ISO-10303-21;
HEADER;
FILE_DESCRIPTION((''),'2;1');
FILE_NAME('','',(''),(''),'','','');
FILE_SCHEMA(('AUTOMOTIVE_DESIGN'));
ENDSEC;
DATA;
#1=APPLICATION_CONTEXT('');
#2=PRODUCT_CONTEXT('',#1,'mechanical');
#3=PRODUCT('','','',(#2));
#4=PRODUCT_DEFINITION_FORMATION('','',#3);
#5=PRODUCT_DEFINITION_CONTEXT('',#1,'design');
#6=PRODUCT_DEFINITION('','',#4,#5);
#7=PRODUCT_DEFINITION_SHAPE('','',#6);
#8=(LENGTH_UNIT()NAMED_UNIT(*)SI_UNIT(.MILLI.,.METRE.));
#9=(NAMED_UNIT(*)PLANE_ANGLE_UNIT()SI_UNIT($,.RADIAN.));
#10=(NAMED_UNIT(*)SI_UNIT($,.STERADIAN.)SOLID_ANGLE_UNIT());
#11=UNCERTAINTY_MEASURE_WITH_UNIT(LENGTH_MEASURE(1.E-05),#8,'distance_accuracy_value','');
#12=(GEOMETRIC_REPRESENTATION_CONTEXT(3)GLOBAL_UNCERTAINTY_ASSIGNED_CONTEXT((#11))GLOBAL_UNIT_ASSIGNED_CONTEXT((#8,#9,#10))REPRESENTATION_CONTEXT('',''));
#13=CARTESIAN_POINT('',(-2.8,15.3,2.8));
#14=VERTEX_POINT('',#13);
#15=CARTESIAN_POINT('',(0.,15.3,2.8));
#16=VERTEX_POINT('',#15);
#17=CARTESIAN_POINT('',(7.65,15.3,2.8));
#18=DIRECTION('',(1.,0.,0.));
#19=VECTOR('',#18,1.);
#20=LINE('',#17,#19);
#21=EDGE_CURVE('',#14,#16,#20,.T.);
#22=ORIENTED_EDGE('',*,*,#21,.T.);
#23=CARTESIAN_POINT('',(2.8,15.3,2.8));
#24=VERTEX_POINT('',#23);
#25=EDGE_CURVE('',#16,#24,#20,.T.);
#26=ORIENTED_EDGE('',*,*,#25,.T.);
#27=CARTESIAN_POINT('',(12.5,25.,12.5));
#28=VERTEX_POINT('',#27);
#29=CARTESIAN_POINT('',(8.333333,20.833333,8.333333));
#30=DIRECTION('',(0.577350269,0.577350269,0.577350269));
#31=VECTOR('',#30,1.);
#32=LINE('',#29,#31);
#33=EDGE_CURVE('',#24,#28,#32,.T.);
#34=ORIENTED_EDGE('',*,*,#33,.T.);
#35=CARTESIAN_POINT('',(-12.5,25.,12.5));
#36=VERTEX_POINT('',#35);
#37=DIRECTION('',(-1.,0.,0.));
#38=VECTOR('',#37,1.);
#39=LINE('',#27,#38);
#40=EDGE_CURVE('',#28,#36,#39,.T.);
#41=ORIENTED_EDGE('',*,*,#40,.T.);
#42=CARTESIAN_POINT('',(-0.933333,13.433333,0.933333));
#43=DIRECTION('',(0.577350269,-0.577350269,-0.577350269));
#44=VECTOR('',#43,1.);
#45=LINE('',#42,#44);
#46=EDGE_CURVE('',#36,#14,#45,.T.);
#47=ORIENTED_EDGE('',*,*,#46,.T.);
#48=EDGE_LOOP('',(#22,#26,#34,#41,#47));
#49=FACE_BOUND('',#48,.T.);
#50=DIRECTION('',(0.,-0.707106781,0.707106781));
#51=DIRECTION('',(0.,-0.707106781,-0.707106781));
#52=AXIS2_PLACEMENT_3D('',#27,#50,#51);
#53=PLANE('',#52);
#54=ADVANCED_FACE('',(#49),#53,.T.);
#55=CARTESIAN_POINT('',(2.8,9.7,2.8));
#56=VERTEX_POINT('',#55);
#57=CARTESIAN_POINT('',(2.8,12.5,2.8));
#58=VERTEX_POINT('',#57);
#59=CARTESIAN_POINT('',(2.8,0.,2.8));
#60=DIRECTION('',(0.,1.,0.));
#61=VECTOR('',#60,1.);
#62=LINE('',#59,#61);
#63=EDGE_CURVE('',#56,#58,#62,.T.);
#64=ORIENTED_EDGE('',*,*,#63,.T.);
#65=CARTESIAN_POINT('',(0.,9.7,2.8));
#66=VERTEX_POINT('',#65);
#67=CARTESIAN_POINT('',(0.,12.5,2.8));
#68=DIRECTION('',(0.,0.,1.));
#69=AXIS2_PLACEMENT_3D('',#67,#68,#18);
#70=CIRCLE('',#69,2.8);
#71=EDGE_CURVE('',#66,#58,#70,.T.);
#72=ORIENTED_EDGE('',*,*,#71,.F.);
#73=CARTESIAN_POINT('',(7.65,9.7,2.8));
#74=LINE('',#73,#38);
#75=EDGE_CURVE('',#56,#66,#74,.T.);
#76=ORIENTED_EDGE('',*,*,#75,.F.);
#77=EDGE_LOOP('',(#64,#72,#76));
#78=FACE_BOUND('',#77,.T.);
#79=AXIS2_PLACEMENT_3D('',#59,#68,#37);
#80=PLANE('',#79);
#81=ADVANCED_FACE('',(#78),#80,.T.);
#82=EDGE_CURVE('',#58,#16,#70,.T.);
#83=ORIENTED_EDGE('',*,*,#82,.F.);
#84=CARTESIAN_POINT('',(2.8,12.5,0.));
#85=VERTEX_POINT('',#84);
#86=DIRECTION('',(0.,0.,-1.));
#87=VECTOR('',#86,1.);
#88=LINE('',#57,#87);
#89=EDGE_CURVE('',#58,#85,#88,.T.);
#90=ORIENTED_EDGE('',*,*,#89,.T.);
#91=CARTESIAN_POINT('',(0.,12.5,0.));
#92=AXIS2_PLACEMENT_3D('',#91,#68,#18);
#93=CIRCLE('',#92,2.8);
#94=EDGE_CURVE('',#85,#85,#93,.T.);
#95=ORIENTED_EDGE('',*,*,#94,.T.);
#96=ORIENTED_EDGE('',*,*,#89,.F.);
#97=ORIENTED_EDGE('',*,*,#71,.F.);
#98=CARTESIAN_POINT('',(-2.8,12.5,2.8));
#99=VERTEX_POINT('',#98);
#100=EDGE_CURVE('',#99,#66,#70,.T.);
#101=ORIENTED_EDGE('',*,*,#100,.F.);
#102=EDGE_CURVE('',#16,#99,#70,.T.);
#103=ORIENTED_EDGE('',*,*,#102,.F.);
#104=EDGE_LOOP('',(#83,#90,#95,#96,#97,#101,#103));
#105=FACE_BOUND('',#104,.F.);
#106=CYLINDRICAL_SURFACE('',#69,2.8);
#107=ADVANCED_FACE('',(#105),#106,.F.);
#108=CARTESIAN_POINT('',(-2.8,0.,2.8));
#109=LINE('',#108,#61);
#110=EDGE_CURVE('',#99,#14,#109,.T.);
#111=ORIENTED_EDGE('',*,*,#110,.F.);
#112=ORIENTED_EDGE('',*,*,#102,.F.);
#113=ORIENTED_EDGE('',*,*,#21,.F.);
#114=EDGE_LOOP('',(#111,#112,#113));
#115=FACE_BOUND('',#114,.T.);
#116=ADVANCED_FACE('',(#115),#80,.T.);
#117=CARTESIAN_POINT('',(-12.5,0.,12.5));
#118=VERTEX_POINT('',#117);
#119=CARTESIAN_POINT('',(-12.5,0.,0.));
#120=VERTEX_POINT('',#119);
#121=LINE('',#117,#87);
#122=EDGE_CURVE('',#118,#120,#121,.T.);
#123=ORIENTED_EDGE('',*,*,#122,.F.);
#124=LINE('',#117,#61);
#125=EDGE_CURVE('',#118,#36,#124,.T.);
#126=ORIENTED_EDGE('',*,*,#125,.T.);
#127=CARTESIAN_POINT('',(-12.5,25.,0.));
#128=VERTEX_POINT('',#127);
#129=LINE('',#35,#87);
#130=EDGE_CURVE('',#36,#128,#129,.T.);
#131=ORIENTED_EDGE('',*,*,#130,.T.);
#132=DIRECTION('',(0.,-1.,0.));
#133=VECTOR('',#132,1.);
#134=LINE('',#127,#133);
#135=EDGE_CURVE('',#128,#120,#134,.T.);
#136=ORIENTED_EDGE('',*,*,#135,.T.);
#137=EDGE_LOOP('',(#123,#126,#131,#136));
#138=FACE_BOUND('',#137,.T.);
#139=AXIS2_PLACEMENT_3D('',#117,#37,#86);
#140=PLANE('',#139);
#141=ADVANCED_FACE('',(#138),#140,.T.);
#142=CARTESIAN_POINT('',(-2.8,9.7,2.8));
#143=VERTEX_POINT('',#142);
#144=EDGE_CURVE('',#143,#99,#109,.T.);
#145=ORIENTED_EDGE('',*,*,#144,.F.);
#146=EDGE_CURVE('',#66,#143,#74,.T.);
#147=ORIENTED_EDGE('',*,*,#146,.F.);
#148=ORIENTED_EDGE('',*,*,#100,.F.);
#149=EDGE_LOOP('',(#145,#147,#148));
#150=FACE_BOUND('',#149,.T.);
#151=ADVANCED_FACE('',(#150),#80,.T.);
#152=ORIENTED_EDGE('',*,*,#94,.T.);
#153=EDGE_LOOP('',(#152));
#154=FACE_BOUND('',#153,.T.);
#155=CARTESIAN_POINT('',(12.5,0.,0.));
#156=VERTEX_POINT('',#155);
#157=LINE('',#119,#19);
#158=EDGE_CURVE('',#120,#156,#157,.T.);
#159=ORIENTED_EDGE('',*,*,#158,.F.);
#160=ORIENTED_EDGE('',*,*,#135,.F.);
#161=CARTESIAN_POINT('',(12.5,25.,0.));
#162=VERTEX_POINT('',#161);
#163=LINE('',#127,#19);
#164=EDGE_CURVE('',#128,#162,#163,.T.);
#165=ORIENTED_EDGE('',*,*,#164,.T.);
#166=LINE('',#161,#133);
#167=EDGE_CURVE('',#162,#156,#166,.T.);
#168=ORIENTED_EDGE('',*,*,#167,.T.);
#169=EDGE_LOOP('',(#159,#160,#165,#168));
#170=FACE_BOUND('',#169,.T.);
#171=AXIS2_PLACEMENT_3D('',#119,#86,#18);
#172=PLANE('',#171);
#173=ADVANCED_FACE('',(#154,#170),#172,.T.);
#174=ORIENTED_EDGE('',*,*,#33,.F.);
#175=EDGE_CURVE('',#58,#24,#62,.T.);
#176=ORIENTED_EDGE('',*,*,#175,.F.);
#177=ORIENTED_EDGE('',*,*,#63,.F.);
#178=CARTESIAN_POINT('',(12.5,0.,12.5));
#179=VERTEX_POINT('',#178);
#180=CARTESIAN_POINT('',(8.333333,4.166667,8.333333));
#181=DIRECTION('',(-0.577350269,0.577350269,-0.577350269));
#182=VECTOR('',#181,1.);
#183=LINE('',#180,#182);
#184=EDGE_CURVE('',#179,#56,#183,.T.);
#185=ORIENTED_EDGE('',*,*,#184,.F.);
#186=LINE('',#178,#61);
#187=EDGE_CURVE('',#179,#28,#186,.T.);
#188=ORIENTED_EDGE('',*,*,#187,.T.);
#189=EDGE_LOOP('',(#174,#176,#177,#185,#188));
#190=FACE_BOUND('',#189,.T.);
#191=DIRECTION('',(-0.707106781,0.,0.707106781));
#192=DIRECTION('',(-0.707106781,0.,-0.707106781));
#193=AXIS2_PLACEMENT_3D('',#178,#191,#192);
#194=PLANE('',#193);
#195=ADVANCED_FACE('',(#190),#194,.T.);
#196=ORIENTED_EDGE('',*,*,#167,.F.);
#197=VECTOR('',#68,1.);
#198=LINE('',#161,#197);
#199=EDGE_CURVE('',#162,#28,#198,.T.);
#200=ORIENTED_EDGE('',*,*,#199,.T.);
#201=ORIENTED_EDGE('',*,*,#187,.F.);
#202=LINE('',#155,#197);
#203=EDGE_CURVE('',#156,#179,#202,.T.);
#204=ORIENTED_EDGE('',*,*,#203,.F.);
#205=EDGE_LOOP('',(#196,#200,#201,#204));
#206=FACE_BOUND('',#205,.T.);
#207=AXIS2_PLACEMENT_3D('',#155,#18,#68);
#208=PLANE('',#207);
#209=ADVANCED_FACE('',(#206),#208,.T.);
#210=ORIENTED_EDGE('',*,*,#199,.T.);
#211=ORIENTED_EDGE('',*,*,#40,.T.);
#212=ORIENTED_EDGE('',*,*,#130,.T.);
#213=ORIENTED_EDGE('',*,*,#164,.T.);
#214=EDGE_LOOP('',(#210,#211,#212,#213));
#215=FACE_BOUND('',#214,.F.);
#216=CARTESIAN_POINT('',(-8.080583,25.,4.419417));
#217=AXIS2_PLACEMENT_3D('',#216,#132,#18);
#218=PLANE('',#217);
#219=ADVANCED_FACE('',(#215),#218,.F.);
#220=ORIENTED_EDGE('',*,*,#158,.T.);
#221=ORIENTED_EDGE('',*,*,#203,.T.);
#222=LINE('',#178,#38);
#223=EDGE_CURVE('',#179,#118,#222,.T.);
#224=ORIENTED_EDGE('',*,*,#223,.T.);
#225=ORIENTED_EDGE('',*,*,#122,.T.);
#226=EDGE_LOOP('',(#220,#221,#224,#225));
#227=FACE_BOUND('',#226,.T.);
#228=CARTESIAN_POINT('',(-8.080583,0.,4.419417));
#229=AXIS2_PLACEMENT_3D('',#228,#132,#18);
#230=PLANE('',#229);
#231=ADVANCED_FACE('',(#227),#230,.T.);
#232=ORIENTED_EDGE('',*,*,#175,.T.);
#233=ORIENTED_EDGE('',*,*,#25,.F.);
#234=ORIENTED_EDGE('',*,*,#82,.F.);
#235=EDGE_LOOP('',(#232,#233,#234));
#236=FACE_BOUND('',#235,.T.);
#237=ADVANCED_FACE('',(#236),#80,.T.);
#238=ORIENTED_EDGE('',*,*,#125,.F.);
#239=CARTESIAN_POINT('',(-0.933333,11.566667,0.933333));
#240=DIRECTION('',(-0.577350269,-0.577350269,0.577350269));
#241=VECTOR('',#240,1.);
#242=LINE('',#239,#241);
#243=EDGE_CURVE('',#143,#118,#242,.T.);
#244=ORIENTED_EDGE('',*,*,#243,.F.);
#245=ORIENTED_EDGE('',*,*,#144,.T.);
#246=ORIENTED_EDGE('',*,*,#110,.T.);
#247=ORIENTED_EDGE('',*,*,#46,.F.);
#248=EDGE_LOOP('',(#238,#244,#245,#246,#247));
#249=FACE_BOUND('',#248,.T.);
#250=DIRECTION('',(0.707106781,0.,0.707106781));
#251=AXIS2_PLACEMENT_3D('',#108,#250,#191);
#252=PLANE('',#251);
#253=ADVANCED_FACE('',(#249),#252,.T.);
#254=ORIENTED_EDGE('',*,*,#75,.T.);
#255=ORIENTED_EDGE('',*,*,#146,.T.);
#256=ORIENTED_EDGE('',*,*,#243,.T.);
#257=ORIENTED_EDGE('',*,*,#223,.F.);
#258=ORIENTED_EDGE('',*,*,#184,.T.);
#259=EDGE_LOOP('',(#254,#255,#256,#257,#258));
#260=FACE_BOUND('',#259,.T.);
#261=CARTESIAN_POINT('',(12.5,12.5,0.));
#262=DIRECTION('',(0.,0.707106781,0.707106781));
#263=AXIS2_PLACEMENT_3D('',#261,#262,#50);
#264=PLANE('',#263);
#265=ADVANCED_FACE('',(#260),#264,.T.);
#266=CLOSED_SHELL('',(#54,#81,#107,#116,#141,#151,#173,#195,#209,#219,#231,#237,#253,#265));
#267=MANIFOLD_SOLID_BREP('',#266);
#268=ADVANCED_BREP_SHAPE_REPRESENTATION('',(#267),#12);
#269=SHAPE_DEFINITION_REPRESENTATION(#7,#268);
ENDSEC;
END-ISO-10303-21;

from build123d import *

# Parameters (mm, degrees)
F1_DEPTH = 25
F3_DEPTH = 25
F4_R     = 2.8
F5_DEPTH = 2.801


with BuildPart() as f1:
    # F0 (on Front) → F1 (new body)
    with BuildSketch(Plane.XZ):
        Polygon((-12.5, 12.5), (-12.5, 0), (0, 0), (-2.8, 2.8), align=None)
        Polygon((2.8, 2.8), (0, 0), (12.5, 0), (12.5, 12.5), align=None)
        Polygon((-2.8, 2.8), (0, 0), (2.8, 2.8), align=None)
    extrude(amount=-F1_DEPTH)

    # F2 (on face) → F3 (join)
    with BuildSketch(Plane.YZ.offset(12.5)):
        Polygon((0, 0), (12.5, 0), (0, 12.5), align=None)
        Polygon((25, 12.5), (12.5, 0), (25, 0), align=None)
    extrude(amount=-F3_DEPTH)

    # F4 (on face) → F5 (cut, through all)
    with BuildSketch(Plane.XY.offset(2.8)):
        with Locations((0, 12.5)):
            Circle(F4_R)
    extrude(amount=-F5_DEPTH, mode=Mode.SUBTRACT)


solid = f1.part
